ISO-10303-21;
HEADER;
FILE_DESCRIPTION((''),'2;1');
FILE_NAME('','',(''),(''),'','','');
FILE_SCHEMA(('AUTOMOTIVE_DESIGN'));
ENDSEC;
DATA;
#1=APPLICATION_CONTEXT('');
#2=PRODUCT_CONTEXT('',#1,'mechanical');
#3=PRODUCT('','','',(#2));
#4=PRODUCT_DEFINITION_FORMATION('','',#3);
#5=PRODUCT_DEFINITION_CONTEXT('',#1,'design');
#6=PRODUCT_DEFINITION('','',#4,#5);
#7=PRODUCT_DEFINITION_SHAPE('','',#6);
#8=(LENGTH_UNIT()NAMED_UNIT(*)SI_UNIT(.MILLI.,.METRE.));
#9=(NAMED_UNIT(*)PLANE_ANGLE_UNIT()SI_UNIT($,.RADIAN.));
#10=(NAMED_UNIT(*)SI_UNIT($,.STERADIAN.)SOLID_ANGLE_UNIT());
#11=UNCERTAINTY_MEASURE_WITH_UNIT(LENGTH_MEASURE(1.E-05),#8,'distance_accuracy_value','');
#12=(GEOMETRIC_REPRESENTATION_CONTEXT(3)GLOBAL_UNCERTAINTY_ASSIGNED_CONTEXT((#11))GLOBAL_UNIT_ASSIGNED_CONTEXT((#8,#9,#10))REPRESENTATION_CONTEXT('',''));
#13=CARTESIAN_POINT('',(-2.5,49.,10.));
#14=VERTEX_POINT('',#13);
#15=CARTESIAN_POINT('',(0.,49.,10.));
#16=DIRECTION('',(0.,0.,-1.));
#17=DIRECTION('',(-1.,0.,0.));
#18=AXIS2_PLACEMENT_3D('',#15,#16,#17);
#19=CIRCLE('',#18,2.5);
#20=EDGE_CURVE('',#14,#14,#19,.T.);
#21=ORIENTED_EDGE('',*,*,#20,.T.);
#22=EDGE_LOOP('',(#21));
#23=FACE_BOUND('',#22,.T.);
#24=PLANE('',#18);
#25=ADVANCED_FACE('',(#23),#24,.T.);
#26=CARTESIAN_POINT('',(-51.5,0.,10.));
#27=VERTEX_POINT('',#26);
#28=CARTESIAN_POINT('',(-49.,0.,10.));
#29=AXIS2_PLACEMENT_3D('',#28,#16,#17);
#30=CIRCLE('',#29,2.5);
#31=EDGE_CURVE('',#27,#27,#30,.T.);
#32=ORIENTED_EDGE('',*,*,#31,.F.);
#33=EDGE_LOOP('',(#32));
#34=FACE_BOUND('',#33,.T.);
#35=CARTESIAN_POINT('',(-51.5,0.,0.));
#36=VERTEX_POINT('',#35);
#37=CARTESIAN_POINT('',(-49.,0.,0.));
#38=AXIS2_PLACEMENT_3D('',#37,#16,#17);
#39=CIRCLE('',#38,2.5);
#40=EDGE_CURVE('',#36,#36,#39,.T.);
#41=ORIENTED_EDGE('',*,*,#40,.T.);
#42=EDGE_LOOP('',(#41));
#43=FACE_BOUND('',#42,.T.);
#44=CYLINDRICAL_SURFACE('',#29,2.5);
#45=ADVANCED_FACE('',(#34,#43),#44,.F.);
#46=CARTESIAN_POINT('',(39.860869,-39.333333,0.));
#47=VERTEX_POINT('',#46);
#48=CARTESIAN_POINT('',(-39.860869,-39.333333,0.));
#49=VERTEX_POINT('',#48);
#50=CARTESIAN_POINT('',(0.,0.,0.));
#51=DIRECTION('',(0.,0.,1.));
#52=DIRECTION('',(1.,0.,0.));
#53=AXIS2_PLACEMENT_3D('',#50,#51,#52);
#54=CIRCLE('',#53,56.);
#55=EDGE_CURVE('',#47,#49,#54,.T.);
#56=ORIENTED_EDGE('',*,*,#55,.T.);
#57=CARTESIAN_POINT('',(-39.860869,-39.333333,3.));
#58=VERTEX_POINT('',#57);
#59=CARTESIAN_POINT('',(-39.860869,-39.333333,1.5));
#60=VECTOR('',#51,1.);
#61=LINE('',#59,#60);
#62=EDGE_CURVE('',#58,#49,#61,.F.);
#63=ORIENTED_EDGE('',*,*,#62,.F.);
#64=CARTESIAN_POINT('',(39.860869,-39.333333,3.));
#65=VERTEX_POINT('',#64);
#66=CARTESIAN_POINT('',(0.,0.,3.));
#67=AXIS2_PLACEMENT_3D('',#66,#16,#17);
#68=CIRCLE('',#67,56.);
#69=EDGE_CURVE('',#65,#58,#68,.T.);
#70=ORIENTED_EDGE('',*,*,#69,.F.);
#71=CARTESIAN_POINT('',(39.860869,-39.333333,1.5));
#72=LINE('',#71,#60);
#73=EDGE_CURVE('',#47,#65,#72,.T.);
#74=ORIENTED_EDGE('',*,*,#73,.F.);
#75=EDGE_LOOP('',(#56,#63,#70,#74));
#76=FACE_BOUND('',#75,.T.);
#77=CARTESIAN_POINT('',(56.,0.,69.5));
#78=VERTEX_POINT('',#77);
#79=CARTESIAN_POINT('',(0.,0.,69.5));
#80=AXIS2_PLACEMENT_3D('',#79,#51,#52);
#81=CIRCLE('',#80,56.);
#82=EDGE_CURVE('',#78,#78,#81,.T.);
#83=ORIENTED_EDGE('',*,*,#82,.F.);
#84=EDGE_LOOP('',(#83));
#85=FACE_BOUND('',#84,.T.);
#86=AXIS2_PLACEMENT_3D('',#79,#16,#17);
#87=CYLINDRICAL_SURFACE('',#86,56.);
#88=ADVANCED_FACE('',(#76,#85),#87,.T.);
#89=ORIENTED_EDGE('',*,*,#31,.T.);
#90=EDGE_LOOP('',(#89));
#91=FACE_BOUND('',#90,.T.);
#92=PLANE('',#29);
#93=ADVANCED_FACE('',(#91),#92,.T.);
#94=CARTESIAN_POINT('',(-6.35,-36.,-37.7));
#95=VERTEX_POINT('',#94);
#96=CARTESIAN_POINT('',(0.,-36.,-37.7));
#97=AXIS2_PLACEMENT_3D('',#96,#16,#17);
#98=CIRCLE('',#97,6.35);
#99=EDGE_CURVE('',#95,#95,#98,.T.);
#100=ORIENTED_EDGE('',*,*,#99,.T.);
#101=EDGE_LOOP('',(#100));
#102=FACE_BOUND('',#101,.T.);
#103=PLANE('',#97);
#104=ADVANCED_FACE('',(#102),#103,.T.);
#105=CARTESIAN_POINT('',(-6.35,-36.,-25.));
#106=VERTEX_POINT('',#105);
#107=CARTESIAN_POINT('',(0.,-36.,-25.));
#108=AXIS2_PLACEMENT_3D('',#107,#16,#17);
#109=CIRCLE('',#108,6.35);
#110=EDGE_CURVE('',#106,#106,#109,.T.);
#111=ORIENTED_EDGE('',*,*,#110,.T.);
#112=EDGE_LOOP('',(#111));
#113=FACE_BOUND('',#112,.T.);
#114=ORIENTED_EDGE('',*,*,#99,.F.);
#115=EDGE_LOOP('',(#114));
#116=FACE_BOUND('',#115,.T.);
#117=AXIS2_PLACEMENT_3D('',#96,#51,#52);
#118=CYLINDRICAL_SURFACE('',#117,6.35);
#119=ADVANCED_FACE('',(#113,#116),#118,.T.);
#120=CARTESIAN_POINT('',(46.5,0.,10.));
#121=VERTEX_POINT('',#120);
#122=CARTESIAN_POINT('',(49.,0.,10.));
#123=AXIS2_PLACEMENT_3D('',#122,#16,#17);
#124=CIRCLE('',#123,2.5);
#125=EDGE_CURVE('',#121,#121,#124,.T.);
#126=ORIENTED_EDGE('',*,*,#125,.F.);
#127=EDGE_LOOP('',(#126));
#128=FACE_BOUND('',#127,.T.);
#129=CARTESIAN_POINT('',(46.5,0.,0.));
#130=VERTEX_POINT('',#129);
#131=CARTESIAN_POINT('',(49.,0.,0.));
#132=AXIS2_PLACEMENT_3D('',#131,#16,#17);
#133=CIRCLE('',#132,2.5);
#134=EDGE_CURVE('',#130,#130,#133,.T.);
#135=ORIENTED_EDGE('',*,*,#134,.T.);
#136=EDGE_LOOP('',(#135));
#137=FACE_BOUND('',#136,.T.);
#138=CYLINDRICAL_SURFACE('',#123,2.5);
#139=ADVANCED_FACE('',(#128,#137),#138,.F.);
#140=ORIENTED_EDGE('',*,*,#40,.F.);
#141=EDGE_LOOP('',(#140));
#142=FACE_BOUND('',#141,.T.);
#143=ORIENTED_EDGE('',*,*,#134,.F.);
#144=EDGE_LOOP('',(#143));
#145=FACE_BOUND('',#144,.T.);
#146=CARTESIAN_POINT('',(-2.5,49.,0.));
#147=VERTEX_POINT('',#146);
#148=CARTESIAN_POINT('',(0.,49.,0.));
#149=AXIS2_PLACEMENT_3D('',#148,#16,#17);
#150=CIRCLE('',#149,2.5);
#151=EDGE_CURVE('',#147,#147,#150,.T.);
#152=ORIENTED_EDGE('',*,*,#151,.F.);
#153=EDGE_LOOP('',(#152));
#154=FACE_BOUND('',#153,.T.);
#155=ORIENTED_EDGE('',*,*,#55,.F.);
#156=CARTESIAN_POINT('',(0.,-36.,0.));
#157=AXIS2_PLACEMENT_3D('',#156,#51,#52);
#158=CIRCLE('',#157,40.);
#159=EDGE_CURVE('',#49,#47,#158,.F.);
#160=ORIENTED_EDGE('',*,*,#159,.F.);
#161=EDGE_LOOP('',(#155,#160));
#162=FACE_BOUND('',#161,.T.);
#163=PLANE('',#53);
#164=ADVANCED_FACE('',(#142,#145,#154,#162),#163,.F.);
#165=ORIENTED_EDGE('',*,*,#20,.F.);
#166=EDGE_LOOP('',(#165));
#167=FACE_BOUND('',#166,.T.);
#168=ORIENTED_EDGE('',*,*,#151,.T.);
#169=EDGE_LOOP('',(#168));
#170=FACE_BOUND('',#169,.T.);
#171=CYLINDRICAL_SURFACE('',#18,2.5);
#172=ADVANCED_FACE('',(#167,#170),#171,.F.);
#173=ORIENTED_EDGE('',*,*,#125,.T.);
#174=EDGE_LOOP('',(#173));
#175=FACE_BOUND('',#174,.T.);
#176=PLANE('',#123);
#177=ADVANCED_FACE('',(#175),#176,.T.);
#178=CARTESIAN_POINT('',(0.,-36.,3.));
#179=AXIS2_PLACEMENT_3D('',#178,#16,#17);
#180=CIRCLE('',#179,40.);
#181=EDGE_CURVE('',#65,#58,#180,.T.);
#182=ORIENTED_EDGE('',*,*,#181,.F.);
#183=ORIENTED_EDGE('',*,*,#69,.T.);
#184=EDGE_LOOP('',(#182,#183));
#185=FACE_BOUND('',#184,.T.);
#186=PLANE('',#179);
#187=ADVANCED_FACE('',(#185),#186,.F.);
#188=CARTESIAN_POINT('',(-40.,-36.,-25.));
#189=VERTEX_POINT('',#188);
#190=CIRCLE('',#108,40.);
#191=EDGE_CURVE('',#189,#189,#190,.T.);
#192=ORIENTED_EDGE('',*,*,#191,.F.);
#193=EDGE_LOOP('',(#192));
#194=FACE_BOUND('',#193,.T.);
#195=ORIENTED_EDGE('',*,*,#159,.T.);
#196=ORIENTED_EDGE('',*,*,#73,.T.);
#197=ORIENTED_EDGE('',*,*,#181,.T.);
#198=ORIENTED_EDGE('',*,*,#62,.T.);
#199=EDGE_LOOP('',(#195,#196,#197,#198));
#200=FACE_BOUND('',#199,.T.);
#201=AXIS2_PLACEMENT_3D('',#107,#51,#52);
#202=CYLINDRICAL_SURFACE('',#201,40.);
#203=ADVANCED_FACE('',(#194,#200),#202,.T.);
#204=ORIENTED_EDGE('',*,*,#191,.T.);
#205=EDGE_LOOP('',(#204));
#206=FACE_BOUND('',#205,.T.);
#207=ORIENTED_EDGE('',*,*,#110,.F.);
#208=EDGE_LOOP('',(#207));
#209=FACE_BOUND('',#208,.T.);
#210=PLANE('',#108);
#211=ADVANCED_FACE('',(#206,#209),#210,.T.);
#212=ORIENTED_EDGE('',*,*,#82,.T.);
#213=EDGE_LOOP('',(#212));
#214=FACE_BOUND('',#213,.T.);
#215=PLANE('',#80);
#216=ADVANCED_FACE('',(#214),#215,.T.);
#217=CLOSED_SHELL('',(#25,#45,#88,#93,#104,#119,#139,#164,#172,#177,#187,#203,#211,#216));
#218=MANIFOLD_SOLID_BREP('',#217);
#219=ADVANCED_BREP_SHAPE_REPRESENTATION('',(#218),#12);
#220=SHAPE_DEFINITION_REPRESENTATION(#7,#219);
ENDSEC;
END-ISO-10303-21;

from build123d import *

# Parameters (mm, degrees)
SKETCH1_R           = 56
EXTRUDE1_DEPTH      = 69.5
EXTRUDE2_DEPTH      = 25
EXTRUDE2_DEPTH_BACK = 3
SKETCH2_R           = 40
SKETCH3_R           = 2.5
CUT_EXTRUDE1_DEPTH  = 10
SKETCH4_R           = 6.35
EXTRUDE3_DEPTH      = 12.7


with BuildPart() as part:
    # Sketch1 → Extrude1 (new body)
    with BuildSketch(Plane.XY):
        Circle(SKETCH1_R)
    extrude(amount=EXTRUDE1_DEPTH)

    # Sketch2 → Extrude2 (add, two sides: drawn at the far end of the back side and taken through both)
    with BuildSketch(Plane(origin=(0, 0, 0), x_dir=(-1, 0, 0), z_dir=(0, 0, -1)).offset(-EXTRUDE2_DEPTH_BACK)):
        with Locations((0, -36)):
            Circle(SKETCH2_R)
    extrude(amount=EXTRUDE2_DEPTH + EXTRUDE2_DEPTH_BACK)

    # Sketch3 → Cut-Extrude1 (cut)
    with BuildSketch(Plane(origin=(0, 0, 0), x_dir=(-1, 0, 0), z_dir=(0, 0, -1))):
        with Locations((-49, 0)):
            Circle(SKETCH3_R)
        with Locations((0, 49)):
            Circle(SKETCH3_R)
        with Locations((49, 0)):
            Circle(SKETCH3_R)
    extrude(amount=-CUT_EXTRUDE1_DEPTH, mode=Mode.SUBTRACT)

    # Sketch4 → Extrude3 (add)
    with BuildSketch(Plane(origin=(0, 0, -25), x_dir=(-1, 0, 0), z_dir=(0, 0, -1))):
        with Locations((0, -36)):
            Circle(SKETCH4_R)
    extrude(amount=EXTRUDE3_DEPTH)


solid = part.part
